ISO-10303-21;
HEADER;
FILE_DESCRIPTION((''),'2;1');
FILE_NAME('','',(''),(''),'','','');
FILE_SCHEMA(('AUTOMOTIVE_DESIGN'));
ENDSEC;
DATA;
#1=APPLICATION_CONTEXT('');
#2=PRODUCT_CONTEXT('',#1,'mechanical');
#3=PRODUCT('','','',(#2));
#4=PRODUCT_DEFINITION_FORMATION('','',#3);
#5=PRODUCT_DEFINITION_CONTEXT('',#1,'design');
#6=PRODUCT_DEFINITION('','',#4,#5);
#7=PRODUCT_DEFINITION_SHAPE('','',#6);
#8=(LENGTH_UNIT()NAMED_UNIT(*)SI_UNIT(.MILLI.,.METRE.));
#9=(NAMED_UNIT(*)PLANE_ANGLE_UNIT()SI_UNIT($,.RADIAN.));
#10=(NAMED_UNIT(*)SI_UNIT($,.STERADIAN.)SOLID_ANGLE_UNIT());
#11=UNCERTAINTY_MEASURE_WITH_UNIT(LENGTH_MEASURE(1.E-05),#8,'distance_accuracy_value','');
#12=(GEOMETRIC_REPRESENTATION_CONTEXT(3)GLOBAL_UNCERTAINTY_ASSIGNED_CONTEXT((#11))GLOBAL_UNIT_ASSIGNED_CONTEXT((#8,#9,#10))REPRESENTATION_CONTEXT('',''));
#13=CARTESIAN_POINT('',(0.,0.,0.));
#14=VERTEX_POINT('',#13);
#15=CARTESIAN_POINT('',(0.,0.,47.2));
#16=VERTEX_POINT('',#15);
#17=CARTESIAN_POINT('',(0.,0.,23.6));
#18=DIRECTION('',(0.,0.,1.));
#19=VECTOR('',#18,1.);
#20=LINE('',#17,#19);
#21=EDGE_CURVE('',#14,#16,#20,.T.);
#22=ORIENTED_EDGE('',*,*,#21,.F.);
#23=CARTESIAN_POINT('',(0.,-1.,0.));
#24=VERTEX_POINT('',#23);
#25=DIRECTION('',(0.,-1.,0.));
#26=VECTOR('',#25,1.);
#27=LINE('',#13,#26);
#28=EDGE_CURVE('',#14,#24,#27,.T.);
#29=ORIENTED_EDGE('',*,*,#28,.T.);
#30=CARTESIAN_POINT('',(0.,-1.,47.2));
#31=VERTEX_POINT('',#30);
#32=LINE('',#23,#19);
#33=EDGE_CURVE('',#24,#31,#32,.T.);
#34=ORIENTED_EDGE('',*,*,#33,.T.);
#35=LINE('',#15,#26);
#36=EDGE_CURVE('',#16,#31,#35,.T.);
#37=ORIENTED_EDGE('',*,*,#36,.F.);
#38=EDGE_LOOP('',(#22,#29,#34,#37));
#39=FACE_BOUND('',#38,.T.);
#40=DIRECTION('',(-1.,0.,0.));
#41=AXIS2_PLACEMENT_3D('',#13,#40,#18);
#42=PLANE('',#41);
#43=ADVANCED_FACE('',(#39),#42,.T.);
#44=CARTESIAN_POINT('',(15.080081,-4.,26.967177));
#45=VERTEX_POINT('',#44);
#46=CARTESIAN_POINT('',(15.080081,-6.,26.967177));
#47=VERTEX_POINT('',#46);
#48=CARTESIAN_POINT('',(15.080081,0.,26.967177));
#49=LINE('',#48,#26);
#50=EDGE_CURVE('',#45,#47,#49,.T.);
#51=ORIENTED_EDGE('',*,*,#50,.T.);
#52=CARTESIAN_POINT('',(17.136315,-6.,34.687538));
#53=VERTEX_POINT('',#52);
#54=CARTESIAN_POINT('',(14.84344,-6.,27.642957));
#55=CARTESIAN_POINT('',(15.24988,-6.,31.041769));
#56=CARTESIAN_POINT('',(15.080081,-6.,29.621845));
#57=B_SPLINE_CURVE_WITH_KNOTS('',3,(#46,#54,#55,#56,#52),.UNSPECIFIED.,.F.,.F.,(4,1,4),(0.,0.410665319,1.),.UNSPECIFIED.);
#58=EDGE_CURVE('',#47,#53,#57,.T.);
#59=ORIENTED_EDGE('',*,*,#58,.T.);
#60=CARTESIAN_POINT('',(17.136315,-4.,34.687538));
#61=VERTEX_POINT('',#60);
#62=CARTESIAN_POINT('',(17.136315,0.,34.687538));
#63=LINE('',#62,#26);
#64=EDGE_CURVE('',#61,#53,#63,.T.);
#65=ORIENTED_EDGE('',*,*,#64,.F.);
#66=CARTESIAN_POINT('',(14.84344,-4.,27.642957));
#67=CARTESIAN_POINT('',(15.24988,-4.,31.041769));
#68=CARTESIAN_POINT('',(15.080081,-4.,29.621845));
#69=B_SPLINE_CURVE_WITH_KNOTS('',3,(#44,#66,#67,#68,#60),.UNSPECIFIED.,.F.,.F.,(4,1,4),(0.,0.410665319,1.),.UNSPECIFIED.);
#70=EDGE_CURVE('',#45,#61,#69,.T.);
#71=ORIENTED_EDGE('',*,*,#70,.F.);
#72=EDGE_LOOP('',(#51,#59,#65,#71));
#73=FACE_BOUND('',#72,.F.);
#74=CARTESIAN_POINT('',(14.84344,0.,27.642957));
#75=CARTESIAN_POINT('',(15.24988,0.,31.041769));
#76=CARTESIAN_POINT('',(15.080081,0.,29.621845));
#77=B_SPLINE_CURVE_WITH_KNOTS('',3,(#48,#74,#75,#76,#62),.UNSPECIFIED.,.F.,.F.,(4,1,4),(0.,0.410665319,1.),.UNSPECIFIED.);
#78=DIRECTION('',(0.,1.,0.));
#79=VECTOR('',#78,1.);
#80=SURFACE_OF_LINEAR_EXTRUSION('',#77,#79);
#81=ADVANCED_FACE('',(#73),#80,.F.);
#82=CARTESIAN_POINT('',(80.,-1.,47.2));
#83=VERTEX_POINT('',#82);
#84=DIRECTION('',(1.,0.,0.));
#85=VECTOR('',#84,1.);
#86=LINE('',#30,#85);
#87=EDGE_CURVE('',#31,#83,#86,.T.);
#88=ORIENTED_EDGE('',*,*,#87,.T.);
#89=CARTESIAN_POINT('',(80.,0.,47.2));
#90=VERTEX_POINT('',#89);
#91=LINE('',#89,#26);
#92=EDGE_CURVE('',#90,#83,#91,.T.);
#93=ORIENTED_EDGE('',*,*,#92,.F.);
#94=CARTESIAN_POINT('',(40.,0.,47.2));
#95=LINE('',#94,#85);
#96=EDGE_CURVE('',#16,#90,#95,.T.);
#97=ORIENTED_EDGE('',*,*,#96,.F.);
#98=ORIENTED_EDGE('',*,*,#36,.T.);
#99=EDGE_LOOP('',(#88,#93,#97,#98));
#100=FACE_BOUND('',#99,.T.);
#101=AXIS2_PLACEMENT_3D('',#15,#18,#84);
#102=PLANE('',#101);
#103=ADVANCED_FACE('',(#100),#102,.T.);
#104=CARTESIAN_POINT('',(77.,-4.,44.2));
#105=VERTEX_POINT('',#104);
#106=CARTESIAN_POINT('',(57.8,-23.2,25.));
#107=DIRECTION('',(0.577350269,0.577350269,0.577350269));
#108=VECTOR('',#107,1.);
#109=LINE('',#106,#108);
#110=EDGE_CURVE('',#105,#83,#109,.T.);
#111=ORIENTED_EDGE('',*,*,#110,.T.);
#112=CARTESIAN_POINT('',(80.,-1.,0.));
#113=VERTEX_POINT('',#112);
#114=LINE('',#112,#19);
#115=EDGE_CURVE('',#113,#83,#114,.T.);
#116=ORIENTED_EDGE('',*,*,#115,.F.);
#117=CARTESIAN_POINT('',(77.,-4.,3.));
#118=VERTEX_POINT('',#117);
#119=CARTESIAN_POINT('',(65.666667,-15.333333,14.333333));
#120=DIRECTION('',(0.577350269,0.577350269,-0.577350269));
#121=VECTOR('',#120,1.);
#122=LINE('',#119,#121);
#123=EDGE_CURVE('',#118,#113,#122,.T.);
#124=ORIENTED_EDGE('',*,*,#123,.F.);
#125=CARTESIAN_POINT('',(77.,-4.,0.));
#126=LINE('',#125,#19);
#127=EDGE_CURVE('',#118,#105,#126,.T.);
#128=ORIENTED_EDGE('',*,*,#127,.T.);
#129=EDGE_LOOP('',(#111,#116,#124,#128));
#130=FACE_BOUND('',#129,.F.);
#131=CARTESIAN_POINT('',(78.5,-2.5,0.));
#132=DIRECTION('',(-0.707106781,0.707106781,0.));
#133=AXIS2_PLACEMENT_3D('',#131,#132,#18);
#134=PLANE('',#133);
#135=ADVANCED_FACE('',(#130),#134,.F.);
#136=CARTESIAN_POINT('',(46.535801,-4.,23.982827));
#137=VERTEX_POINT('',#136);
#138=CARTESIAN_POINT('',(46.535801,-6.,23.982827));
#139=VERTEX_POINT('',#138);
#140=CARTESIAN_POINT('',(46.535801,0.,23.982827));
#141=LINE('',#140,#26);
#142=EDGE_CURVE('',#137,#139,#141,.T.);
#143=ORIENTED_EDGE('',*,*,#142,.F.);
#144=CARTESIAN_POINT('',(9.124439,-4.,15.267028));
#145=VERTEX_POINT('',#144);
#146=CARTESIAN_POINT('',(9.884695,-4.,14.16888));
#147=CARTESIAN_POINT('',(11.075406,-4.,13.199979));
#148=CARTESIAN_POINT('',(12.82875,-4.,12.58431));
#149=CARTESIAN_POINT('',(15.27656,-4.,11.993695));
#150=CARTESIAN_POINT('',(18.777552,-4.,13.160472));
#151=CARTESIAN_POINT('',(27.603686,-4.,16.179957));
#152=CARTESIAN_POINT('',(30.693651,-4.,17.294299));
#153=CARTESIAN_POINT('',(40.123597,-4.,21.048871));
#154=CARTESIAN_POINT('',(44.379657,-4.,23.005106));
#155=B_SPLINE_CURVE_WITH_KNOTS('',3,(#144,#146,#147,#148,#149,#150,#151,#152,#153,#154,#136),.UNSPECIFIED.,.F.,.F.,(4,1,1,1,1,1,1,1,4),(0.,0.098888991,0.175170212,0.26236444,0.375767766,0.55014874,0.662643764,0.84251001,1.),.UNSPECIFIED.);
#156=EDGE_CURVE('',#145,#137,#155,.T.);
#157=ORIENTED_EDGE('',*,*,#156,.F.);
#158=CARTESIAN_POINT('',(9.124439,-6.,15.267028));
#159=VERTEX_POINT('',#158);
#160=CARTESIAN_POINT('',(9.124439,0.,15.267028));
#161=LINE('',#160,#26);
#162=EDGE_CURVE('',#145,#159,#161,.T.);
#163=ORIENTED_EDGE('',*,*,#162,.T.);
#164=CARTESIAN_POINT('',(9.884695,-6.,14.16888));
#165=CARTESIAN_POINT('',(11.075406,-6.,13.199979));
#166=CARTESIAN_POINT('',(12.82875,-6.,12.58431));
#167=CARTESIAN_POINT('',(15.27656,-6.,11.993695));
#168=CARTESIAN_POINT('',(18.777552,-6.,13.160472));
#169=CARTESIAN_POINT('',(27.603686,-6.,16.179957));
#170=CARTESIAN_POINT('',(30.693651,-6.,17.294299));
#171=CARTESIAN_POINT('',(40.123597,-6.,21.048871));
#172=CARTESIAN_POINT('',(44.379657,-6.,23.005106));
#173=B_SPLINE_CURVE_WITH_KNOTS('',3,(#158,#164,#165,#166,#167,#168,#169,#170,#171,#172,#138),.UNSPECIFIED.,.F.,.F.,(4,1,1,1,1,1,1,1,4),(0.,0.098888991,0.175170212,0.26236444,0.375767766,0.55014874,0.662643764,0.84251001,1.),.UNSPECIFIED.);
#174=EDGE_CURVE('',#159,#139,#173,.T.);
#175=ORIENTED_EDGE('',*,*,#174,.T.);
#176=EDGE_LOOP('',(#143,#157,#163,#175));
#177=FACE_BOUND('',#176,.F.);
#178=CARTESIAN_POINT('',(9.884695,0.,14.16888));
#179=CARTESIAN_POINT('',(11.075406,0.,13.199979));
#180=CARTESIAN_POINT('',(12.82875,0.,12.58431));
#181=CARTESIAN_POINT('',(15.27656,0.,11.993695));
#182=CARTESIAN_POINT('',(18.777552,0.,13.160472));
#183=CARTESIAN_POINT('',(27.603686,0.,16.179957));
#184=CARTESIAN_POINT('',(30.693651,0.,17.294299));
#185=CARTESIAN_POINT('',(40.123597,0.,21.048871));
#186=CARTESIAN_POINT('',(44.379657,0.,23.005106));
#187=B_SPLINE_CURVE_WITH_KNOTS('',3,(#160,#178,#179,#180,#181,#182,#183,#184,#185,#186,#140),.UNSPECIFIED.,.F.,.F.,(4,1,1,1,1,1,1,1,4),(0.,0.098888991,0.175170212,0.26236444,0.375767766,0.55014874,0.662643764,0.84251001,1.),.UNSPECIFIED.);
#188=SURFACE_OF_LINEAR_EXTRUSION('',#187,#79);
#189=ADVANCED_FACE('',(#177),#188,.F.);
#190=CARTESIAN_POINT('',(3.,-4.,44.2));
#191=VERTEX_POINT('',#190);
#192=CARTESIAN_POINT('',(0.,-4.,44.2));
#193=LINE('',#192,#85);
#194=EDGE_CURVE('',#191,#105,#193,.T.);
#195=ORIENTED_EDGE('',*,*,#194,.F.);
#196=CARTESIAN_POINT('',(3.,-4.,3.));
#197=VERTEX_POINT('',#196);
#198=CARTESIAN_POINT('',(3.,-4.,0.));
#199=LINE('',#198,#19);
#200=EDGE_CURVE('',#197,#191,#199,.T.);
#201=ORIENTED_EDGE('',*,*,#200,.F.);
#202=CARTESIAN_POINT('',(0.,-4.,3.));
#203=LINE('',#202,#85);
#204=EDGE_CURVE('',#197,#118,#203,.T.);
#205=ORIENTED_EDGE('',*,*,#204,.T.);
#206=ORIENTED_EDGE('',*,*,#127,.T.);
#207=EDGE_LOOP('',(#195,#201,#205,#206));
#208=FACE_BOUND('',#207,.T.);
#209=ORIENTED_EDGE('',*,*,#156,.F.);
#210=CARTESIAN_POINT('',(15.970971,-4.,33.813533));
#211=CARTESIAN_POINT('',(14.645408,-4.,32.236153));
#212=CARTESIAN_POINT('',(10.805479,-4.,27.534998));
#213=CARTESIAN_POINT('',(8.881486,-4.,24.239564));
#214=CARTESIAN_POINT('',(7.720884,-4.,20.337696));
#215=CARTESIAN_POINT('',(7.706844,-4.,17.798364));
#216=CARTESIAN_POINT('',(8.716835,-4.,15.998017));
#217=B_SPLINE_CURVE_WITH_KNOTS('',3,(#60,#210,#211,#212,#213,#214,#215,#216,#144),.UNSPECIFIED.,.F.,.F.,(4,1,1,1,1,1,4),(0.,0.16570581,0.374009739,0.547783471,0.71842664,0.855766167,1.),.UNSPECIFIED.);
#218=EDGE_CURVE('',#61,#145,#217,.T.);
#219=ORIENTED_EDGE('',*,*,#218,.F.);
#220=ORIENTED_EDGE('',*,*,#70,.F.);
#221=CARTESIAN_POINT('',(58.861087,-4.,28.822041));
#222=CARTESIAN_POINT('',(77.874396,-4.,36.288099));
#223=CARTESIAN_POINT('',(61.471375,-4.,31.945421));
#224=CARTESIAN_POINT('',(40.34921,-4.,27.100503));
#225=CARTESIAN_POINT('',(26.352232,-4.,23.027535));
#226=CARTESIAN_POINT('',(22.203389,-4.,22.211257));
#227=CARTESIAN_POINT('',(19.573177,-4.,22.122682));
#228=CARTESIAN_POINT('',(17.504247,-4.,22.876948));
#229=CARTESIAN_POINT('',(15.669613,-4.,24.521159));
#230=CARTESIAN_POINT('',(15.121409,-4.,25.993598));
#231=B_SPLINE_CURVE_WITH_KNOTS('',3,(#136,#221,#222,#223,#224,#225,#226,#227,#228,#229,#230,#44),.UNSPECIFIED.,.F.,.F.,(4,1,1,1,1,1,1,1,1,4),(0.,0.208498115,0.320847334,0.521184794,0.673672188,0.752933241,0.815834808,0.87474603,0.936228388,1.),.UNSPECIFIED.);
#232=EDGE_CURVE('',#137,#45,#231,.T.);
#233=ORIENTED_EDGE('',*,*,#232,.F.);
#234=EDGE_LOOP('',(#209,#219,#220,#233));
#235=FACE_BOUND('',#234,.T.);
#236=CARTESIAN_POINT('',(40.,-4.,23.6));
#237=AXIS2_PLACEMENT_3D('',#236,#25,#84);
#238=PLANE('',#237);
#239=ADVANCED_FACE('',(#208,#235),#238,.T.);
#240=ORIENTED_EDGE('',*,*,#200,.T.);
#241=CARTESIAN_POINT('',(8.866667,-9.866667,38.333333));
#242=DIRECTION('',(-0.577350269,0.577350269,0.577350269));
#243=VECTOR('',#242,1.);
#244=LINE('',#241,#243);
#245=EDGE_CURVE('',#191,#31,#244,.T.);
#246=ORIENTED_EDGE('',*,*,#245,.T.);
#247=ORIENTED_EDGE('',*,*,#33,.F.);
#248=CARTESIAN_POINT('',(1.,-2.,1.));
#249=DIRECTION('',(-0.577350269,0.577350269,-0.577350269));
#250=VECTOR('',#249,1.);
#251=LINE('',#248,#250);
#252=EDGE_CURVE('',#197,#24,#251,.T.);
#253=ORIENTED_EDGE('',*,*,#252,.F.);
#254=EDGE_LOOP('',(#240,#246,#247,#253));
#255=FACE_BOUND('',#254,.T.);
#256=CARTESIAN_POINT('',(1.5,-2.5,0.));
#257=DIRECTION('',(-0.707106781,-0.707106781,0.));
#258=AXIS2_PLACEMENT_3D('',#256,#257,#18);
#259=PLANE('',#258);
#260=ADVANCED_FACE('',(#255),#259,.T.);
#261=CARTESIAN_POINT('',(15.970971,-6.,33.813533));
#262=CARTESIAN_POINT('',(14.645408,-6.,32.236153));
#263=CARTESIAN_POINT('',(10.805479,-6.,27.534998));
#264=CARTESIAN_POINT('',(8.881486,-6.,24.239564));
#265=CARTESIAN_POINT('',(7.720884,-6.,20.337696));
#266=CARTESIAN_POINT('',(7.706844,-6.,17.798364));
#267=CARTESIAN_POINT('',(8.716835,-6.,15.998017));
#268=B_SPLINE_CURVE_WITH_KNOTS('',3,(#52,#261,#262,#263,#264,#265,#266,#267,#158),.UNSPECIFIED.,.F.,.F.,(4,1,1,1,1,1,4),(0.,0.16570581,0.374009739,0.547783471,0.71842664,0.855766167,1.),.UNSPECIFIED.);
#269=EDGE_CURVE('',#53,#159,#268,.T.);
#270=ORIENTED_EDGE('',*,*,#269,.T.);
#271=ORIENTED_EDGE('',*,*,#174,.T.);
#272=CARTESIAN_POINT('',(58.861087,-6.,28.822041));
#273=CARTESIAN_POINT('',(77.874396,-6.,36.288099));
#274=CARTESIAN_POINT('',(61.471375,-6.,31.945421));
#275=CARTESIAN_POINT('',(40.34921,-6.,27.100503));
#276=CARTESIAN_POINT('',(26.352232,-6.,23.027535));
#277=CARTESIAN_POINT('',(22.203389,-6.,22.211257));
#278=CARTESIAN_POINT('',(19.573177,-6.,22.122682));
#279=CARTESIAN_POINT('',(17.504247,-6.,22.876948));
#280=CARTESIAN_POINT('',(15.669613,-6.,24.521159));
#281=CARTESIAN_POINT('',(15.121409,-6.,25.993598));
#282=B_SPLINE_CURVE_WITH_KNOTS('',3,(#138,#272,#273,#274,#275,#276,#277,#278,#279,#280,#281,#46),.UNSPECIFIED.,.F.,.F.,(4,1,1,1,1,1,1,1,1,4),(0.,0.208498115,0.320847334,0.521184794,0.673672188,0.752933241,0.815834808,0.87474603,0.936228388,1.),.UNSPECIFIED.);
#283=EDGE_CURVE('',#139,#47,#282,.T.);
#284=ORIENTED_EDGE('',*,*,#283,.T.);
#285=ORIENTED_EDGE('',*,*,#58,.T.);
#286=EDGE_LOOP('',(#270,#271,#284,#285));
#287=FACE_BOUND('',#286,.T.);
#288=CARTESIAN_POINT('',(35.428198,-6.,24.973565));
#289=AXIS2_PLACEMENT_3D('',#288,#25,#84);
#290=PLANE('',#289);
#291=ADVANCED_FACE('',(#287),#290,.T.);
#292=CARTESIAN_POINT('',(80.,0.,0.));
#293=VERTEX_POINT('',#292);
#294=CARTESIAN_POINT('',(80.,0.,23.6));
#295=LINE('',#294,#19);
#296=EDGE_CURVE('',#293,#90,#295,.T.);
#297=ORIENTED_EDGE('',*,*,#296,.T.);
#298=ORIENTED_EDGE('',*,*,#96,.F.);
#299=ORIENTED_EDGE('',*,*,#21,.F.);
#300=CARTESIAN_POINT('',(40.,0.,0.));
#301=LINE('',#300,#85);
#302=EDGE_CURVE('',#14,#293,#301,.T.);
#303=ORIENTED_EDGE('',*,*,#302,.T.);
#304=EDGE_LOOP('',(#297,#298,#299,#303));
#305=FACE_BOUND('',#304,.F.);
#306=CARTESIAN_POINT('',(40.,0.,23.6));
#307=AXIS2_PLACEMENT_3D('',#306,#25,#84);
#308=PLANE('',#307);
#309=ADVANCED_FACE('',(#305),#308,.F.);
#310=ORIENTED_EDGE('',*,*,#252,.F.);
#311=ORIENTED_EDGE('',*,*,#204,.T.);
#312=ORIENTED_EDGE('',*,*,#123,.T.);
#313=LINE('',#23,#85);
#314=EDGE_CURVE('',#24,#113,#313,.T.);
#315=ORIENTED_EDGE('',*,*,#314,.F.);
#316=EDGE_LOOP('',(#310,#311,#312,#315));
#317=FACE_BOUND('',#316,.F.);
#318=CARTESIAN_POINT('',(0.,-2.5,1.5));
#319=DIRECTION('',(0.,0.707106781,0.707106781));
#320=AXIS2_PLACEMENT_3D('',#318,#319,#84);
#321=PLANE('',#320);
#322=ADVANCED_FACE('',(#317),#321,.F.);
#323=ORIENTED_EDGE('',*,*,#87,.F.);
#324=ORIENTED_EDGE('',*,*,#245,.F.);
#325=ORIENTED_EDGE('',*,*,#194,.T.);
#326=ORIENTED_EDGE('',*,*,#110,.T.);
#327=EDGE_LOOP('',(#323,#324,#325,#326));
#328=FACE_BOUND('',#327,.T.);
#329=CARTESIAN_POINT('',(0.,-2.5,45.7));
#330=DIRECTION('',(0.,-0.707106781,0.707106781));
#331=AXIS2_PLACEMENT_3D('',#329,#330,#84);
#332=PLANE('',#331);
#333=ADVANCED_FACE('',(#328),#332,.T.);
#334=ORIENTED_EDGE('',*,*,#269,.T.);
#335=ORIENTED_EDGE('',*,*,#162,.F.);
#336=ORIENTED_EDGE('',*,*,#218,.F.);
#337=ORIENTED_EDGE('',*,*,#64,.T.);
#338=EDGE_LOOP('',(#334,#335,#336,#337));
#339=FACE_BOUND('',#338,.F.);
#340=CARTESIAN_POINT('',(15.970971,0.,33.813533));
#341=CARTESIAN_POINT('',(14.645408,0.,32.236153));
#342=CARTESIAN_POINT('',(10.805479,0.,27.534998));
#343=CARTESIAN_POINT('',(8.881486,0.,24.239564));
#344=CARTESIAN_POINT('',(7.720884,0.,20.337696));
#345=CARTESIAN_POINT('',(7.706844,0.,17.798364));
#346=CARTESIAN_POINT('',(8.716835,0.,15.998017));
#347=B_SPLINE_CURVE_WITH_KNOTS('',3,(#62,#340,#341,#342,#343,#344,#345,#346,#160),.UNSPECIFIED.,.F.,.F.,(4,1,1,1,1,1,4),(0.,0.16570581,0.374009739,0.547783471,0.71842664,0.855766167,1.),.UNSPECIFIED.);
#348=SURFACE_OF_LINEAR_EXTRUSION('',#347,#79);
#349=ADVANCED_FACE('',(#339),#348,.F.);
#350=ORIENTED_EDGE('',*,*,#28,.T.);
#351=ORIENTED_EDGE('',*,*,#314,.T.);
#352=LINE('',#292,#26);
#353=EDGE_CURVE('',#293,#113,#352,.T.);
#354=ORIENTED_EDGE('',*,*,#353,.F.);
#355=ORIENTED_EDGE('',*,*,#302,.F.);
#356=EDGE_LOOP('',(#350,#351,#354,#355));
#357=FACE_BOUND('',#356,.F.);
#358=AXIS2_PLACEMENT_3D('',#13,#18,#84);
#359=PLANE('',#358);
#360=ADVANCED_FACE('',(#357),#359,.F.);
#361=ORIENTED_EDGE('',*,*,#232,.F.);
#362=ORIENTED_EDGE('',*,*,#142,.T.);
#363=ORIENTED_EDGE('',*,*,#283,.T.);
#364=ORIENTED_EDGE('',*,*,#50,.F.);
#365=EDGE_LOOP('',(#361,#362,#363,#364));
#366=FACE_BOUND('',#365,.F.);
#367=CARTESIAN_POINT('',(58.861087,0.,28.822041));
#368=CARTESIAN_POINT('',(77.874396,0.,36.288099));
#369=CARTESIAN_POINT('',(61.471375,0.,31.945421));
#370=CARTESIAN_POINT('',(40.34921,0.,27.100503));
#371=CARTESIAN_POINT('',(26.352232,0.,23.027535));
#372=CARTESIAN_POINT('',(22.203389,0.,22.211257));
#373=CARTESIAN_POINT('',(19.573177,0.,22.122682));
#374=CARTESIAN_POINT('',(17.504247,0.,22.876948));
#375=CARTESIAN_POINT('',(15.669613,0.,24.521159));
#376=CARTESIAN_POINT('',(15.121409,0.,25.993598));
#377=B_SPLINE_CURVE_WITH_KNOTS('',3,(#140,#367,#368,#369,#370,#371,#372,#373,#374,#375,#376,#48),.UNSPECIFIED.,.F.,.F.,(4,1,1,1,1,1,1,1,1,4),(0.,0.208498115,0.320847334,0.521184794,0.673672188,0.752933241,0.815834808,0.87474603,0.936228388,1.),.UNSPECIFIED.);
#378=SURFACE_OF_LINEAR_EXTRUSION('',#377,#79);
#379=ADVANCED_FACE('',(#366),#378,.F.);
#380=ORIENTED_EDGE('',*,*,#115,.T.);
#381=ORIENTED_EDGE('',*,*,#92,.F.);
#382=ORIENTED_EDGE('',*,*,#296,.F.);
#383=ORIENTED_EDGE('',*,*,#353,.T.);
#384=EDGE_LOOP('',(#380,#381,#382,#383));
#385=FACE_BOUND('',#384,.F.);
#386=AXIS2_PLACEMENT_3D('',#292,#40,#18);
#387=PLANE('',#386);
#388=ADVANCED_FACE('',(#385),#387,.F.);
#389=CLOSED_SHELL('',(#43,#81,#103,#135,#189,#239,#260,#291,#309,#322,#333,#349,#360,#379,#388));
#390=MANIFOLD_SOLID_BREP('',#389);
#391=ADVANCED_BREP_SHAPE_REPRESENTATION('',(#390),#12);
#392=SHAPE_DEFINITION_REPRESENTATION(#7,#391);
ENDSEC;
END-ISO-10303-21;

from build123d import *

# Parameters (mm, degrees)
F0_W     = 80
F0_H     = 47.2
F1_DEPTH = 4
F2_DEPTH = 6
F3_SIZE  = 3


with BuildPart() as f1:
    # F0 (on Front) → F1 (new body)
    with BuildSketch(Plane.XZ):
        with Locations((40, 23.6)):
            Rectangle(F0_W, F0_H)
        with BuildLine():
            add(Edge.make_bspline(
                [(17.1363148838, 34.6875376999), (15.9709714115, 33.813533296), (14.6454076172, 32.2361525539), (10.8054794007, 27.5349979334), (8.8814864432, 24.2395643572), (7.7208840141, 20.337695709), (7.7068437804, 17.7983637424), (8.7168352507, 15.9980168361), (9.1244392097, 15.267027542)],
                knots=[0, 0, 0, 0, 0.1657058096, 0.3740097389, 0.5477834709, 0.7184266397, 0.8557661666, 1, 1, 1, 1], degree=3))
            add(Edge.make_bspline(
                [(15.0800812989, 26.9671771675), (14.8434402907, 27.6429571585), (15.249879851, 31.0417693735), (15.0800812989, 29.6218451113), (17.1363148838, 34.6875376999)],
                knots=[0, 0, 0, 0, 0.410665319, 1, 1, 1, 1], degree=3))
            add(Edge.make_bspline(
                [(46.5358011425, 23.9828266203), (58.8610870399, 28.8220409737), (77.8743960363, 36.2880986902), (61.4713754953, 31.9454210046), (40.349209885, 27.100503176), (26.3522324836, 23.0275354439), (22.2033889542, 22.2112571048), (19.5731772361, 22.1226822304), (17.5042470378, 22.8769475905), (15.669613301, 24.5211589613), (15.1214094982, 25.9935981564), (15.0800812989, 26.9671771675)],
                knots=[0, 0, 0, 0, 0.2084981148, 0.3208473341, 0.5211847938, 0.673672188, 0.752933241, 0.8158348084, 0.8747460304, 0.9362283877, 1, 1, 1, 1], degree=3))
            add(Edge.make_bspline(
                [(9.1244392097, 15.267027542), (9.8846950199, 14.168879844), (11.0754057506, 13.1999786552), (12.828750462, 12.5843103062), (15.2765601562, 11.9936947768), (18.7775524844, 13.1604719137), (27.6036856538, 16.179956986), (30.6936505315, 17.2942993327), (40.123596938, 21.0488710633), (44.3796571006, 23.0051061568), (46.5358011425, 23.9828266203)],
                knots=[0, 0, 0, 0, 0.0988889906, 0.1751702122, 0.2623644396, 0.3757677658, 0.5501487398, 0.6626437638, 0.8425100104, 1, 1, 1, 1], degree=3))
        make_face(mode=Mode.SUBTRACT)
    extrude(amount=F1_DEPTH)

    # F0 (on Front) → F2 (join)
    with BuildSketch(Plane.XZ):
        with BuildLine():
            add(Edge.make_bspline(
                [(15.0800812989, 26.9671771675), (14.8434402907, 27.6429571585), (15.249879851, 31.0417693735), (15.0800812989, 29.6218451113), (17.1363148838, 34.6875376999)],
                knots=[0, 0, 0, 0, 0.410665319, 1, 1, 1, 1], degree=3))
            add(Edge.make_bspline(
                [(17.1363148838, 34.6875376999), (15.9709714115, 33.813533296), (14.6454076172, 32.2361525539), (10.8054794007, 27.5349979334), (8.8814864432, 24.2395643572), (7.7208840141, 20.337695709), (7.7068437804, 17.7983637424), (8.7168352507, 15.9980168361), (9.1244392097, 15.267027542)],
                knots=[0, 0, 0, 0, 0.1657058096, 0.3740097389, 0.5477834709, 0.7184266397, 0.8557661666, 1, 1, 1, 1], degree=3))
            add(Edge.make_bspline(
                [(9.1244392097, 15.267027542), (9.8846950199, 14.168879844), (11.0754057506, 13.1999786552), (12.828750462, 12.5843103062), (15.2765601562, 11.9936947768), (18.7775524844, 13.1604719137), (27.6036856538, 16.179956986), (30.6936505315, 17.2942993327), (40.123596938, 21.0488710633), (44.3796571006, 23.0051061568), (46.5358011425, 23.9828266203)],
                knots=[0, 0, 0, 0, 0.0988889906, 0.1751702122, 0.2623644396, 0.3757677658, 0.5501487398, 0.6626437638, 0.8425100104, 1, 1, 1, 1], degree=3))
            add(Edge.make_bspline(
                [(46.5358011425, 23.9828266203), (58.8610870399, 28.8220409737), (77.8743960363, 36.2880986902), (61.4713754953, 31.9454210046), (40.349209885, 27.100503176), (26.3522324836, 23.0275354439), (22.2033889542, 22.2112571048), (19.5731772361, 22.1226822304), (17.5042470378, 22.8769475905), (15.669613301, 24.5211589613), (15.1214094982, 25.9935981564), (15.0800812989, 26.9671771675)],
                knots=[0, 0, 0, 0, 0.2084981148, 0.3208473341, 0.5211847938, 0.673672188, 0.752933241, 0.8158348084, 0.8747460304, 0.9362283877, 1, 1, 1, 1], degree=3))
        make_face()
    extrude(amount=F2_DEPTH)

    # F3
    f3_edges = [f1.edges().sort_by_distance(p)[0] for p in [
        (0, -4, 23.6),
        (40, -4, 0),
        (80, -4, 23.6),
        (40, -4, 47.2),
    ]]
    chamfer(f3_edges, length=F3_SIZE)


solid = f1.part
